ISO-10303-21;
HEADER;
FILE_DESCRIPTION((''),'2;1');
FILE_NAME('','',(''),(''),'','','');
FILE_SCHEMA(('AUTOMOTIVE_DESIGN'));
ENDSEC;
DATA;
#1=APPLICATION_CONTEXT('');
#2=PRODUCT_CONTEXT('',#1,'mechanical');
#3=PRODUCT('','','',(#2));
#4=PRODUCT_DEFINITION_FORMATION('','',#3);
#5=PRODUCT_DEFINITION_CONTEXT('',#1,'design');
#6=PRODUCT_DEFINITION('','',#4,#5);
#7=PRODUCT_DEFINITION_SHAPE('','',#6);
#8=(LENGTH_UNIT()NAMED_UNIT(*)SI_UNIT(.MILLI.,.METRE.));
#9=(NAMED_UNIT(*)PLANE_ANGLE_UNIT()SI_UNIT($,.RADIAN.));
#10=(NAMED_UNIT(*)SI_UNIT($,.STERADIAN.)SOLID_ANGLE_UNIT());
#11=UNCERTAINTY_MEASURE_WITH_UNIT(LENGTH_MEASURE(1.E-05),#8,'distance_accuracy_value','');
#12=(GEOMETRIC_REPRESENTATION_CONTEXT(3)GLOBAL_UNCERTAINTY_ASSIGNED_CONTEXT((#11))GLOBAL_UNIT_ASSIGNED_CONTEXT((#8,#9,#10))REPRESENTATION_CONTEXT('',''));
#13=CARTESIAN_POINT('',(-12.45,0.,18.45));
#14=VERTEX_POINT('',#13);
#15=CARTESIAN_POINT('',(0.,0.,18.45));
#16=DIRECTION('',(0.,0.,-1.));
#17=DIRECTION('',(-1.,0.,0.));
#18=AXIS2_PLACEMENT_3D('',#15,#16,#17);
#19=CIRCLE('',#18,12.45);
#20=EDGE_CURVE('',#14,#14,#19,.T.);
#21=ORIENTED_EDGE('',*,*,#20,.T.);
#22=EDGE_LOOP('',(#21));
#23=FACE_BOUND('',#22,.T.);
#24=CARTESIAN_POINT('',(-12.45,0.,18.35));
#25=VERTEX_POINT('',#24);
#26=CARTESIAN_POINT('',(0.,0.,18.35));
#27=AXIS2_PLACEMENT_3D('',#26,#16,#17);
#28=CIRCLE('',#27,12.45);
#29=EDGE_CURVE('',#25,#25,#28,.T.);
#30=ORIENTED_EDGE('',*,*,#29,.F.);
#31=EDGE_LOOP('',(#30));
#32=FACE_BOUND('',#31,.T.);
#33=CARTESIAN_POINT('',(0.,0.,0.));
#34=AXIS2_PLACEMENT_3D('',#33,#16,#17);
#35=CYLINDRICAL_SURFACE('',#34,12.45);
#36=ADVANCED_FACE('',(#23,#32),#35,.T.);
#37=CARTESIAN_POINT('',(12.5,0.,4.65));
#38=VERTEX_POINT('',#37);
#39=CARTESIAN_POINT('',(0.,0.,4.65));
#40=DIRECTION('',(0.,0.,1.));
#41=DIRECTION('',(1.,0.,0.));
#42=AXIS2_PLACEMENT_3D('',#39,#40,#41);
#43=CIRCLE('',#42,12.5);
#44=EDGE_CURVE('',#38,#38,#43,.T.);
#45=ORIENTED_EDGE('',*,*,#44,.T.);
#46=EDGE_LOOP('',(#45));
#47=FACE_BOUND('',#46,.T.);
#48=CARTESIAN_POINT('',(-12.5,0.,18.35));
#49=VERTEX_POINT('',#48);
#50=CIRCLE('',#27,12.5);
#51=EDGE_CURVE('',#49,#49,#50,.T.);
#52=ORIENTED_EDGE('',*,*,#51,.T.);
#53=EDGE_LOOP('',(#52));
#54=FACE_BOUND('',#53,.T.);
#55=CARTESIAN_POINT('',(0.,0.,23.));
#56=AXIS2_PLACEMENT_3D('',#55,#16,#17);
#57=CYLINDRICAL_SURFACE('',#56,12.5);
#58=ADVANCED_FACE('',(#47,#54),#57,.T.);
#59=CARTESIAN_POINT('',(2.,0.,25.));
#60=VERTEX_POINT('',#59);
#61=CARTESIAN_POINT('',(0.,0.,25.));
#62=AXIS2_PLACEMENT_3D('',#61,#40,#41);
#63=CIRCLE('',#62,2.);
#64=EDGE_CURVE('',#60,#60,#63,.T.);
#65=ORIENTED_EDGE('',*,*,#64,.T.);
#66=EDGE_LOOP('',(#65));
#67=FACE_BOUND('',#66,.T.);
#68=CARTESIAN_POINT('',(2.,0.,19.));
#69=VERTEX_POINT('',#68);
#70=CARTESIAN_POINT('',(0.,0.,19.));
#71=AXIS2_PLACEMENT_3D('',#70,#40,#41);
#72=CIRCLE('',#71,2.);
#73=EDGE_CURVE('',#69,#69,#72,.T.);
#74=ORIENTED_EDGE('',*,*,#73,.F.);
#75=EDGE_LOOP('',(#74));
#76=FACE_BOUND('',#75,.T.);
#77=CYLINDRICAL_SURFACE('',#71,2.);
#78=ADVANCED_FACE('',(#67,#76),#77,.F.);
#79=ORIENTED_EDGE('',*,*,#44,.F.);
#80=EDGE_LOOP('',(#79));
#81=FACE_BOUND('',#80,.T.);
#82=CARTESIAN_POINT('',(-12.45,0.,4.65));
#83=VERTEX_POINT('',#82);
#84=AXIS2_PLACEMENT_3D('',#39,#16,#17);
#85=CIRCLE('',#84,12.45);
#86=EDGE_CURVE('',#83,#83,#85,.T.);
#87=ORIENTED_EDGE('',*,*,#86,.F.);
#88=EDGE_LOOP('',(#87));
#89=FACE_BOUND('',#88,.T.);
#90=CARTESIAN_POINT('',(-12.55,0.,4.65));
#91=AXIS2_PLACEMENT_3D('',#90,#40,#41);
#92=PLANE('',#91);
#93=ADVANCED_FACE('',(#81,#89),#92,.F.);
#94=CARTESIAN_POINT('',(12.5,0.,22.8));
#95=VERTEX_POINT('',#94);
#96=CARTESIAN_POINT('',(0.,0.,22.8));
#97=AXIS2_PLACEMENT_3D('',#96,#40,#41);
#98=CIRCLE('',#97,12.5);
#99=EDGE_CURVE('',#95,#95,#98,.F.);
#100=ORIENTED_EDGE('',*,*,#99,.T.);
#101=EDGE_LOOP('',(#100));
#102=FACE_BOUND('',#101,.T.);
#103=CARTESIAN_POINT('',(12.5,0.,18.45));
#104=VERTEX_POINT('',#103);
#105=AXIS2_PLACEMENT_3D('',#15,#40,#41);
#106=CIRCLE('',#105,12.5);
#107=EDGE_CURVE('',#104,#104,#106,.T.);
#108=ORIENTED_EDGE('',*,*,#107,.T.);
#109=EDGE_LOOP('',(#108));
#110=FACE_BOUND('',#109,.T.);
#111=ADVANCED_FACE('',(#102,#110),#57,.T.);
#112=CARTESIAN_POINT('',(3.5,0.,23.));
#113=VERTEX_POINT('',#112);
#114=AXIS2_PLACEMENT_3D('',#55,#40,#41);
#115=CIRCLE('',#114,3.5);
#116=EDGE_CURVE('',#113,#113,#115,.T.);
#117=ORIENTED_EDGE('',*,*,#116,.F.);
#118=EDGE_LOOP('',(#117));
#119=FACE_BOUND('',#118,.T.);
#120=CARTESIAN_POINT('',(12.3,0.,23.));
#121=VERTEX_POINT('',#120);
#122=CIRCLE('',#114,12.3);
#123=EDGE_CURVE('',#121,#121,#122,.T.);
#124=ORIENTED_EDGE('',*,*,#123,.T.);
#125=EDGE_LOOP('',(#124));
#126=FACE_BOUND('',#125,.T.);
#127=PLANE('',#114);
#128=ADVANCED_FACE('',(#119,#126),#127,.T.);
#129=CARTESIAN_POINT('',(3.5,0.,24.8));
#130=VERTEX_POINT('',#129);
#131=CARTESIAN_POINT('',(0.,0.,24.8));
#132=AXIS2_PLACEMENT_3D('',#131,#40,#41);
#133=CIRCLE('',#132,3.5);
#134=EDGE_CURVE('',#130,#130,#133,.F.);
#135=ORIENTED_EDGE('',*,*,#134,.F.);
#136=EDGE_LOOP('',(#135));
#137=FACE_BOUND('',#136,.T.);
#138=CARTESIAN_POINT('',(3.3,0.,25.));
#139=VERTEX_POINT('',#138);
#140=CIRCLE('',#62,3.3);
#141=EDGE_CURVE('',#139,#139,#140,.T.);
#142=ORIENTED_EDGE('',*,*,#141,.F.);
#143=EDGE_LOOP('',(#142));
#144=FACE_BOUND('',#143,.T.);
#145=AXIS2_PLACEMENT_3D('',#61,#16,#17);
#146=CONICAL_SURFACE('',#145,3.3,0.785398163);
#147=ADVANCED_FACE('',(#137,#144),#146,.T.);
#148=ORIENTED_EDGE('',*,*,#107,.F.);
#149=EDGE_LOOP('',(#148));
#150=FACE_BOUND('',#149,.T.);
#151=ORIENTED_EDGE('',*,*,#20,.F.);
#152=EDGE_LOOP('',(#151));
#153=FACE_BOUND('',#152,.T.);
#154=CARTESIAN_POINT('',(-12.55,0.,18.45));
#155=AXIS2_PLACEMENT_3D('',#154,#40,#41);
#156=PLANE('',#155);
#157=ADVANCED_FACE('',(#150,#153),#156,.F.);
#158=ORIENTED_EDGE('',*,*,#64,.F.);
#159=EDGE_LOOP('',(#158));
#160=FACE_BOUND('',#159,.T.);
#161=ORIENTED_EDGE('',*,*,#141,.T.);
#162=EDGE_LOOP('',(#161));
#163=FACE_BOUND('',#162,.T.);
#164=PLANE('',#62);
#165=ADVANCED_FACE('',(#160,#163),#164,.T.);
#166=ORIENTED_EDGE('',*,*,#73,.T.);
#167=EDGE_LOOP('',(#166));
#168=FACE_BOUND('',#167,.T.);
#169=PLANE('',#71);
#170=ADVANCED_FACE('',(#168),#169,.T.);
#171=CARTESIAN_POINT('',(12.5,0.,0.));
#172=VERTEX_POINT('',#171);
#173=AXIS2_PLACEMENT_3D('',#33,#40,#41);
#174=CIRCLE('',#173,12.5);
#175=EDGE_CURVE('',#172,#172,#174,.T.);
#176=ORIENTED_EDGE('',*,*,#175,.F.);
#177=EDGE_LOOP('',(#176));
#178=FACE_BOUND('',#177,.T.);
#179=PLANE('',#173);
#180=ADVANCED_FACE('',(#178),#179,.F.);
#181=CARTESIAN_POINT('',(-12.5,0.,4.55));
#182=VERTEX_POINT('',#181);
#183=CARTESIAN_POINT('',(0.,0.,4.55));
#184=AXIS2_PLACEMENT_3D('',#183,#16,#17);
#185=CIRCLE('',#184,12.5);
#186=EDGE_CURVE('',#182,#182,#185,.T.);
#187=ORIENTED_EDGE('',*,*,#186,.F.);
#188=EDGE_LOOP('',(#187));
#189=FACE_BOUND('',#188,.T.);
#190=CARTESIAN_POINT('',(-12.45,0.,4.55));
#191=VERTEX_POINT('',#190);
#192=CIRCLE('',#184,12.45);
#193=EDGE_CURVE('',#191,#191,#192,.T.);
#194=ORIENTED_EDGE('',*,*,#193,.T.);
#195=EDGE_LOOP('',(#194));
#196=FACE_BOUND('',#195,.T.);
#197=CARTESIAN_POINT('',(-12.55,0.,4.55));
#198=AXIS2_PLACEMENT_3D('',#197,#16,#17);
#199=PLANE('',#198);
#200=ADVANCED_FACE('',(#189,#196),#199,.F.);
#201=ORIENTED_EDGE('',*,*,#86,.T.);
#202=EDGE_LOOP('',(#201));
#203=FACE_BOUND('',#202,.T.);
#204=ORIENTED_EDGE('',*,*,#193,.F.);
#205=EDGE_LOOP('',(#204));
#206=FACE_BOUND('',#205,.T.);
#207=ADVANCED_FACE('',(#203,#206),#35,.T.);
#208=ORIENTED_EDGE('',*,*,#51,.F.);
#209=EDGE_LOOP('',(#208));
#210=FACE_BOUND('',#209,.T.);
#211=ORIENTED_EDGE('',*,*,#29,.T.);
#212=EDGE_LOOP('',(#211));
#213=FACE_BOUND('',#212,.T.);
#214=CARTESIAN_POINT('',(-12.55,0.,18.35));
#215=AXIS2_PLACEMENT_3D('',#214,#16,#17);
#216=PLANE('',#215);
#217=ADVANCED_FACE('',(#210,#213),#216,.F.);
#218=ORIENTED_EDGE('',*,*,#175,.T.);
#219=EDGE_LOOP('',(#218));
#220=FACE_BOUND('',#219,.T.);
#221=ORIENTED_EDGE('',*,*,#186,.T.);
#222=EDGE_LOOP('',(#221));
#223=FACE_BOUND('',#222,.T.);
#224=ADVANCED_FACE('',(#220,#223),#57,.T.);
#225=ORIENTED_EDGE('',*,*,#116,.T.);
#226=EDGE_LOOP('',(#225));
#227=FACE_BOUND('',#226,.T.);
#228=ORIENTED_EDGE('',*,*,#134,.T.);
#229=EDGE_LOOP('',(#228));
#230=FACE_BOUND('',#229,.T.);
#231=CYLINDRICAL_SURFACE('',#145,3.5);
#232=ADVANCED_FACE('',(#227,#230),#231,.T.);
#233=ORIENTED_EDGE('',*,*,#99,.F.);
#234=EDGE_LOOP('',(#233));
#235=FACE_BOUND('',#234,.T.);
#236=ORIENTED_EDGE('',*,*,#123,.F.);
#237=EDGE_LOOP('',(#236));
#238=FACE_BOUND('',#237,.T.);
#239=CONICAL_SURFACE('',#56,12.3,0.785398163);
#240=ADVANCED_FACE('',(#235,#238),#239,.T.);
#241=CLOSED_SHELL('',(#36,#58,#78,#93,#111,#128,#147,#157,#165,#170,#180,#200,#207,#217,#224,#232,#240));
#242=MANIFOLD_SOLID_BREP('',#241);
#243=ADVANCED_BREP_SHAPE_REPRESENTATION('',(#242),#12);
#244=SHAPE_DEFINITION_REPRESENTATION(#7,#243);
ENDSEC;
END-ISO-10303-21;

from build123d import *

# Parameters (mm, degrees)
CROQUIS1_R              = 12.5
SALIENTE_EXTRUIR1_DEPTH = 23
CROQUIS2_R              = 3.5
SALIENTE_EXTRUIR2_DEPTH = 2
CROQUIS3_R              = 2
CORTAR_EXTRUIR2_DEPTH   = 6
CHAFL_N2_SIZE           = 0.2
CROQUIS4_W              = 0.1
CROQUIS4_H              = 0.1
CHAFL_N3_SIZE           = 0.2


with BuildPart() as part:
    # Croquis1 → Saliente-Extruir1 (new body)
    with BuildSketch(Plane.XY):
        Circle(CROQUIS1_R)
    extrude(amount=SALIENTE_EXTRUIR1_DEPTH)

    # Croquis2 → Saliente-Extruir2 (add)
    with BuildSketch(Plane.XY.offset(23)):
        Circle(CROQUIS2_R)
    extrude(amount=SALIENTE_EXTRUIR2_DEPTH)

    # Croquis3 → Cortar-Extruir2 (cut)
    with BuildSketch(Plane.XY.offset(25)):
        Circle(CROQUIS3_R)
    extrude(amount=-CORTAR_EXTRUIR2_DEPTH, mode=Mode.SUBTRACT)

    # Chaflán2
    chafl_n2_edges = [part.edges().sort_by_distance(p)[0] for p in [
        (-12.5, 0, 23),
    ]]
    chamfer(chafl_n2_edges, length=CHAFL_N2_SIZE)

    # Croquis4 → Cortar-Revolución1 (revolve, cut)
    with BuildSketch(Plane(origin=(0, 0, 0), x_dir=(1, 0, 0), z_dir=(0, 1, 0))):
        with Locations((-12.5, -4.6)):
            Rectangle(CROQUIS4_W, CROQUIS4_H)
        with Locations((-12.5, -18.4)):
            Rectangle(CROQUIS4_W, CROQUIS4_H)
    revolve(axis=Axis((0, 0, 0), (0, 0, 1)), mode=Mode.SUBTRACT)

    # Chaflán3
    chafl_n3_edges = [part.edges().sort_by_distance(p)[0] for p in [
        (-3.5, 0, 25),
    ]]
    chamfer(chafl_n3_edges, length=CHAFL_N3_SIZE)


solid = part.part
